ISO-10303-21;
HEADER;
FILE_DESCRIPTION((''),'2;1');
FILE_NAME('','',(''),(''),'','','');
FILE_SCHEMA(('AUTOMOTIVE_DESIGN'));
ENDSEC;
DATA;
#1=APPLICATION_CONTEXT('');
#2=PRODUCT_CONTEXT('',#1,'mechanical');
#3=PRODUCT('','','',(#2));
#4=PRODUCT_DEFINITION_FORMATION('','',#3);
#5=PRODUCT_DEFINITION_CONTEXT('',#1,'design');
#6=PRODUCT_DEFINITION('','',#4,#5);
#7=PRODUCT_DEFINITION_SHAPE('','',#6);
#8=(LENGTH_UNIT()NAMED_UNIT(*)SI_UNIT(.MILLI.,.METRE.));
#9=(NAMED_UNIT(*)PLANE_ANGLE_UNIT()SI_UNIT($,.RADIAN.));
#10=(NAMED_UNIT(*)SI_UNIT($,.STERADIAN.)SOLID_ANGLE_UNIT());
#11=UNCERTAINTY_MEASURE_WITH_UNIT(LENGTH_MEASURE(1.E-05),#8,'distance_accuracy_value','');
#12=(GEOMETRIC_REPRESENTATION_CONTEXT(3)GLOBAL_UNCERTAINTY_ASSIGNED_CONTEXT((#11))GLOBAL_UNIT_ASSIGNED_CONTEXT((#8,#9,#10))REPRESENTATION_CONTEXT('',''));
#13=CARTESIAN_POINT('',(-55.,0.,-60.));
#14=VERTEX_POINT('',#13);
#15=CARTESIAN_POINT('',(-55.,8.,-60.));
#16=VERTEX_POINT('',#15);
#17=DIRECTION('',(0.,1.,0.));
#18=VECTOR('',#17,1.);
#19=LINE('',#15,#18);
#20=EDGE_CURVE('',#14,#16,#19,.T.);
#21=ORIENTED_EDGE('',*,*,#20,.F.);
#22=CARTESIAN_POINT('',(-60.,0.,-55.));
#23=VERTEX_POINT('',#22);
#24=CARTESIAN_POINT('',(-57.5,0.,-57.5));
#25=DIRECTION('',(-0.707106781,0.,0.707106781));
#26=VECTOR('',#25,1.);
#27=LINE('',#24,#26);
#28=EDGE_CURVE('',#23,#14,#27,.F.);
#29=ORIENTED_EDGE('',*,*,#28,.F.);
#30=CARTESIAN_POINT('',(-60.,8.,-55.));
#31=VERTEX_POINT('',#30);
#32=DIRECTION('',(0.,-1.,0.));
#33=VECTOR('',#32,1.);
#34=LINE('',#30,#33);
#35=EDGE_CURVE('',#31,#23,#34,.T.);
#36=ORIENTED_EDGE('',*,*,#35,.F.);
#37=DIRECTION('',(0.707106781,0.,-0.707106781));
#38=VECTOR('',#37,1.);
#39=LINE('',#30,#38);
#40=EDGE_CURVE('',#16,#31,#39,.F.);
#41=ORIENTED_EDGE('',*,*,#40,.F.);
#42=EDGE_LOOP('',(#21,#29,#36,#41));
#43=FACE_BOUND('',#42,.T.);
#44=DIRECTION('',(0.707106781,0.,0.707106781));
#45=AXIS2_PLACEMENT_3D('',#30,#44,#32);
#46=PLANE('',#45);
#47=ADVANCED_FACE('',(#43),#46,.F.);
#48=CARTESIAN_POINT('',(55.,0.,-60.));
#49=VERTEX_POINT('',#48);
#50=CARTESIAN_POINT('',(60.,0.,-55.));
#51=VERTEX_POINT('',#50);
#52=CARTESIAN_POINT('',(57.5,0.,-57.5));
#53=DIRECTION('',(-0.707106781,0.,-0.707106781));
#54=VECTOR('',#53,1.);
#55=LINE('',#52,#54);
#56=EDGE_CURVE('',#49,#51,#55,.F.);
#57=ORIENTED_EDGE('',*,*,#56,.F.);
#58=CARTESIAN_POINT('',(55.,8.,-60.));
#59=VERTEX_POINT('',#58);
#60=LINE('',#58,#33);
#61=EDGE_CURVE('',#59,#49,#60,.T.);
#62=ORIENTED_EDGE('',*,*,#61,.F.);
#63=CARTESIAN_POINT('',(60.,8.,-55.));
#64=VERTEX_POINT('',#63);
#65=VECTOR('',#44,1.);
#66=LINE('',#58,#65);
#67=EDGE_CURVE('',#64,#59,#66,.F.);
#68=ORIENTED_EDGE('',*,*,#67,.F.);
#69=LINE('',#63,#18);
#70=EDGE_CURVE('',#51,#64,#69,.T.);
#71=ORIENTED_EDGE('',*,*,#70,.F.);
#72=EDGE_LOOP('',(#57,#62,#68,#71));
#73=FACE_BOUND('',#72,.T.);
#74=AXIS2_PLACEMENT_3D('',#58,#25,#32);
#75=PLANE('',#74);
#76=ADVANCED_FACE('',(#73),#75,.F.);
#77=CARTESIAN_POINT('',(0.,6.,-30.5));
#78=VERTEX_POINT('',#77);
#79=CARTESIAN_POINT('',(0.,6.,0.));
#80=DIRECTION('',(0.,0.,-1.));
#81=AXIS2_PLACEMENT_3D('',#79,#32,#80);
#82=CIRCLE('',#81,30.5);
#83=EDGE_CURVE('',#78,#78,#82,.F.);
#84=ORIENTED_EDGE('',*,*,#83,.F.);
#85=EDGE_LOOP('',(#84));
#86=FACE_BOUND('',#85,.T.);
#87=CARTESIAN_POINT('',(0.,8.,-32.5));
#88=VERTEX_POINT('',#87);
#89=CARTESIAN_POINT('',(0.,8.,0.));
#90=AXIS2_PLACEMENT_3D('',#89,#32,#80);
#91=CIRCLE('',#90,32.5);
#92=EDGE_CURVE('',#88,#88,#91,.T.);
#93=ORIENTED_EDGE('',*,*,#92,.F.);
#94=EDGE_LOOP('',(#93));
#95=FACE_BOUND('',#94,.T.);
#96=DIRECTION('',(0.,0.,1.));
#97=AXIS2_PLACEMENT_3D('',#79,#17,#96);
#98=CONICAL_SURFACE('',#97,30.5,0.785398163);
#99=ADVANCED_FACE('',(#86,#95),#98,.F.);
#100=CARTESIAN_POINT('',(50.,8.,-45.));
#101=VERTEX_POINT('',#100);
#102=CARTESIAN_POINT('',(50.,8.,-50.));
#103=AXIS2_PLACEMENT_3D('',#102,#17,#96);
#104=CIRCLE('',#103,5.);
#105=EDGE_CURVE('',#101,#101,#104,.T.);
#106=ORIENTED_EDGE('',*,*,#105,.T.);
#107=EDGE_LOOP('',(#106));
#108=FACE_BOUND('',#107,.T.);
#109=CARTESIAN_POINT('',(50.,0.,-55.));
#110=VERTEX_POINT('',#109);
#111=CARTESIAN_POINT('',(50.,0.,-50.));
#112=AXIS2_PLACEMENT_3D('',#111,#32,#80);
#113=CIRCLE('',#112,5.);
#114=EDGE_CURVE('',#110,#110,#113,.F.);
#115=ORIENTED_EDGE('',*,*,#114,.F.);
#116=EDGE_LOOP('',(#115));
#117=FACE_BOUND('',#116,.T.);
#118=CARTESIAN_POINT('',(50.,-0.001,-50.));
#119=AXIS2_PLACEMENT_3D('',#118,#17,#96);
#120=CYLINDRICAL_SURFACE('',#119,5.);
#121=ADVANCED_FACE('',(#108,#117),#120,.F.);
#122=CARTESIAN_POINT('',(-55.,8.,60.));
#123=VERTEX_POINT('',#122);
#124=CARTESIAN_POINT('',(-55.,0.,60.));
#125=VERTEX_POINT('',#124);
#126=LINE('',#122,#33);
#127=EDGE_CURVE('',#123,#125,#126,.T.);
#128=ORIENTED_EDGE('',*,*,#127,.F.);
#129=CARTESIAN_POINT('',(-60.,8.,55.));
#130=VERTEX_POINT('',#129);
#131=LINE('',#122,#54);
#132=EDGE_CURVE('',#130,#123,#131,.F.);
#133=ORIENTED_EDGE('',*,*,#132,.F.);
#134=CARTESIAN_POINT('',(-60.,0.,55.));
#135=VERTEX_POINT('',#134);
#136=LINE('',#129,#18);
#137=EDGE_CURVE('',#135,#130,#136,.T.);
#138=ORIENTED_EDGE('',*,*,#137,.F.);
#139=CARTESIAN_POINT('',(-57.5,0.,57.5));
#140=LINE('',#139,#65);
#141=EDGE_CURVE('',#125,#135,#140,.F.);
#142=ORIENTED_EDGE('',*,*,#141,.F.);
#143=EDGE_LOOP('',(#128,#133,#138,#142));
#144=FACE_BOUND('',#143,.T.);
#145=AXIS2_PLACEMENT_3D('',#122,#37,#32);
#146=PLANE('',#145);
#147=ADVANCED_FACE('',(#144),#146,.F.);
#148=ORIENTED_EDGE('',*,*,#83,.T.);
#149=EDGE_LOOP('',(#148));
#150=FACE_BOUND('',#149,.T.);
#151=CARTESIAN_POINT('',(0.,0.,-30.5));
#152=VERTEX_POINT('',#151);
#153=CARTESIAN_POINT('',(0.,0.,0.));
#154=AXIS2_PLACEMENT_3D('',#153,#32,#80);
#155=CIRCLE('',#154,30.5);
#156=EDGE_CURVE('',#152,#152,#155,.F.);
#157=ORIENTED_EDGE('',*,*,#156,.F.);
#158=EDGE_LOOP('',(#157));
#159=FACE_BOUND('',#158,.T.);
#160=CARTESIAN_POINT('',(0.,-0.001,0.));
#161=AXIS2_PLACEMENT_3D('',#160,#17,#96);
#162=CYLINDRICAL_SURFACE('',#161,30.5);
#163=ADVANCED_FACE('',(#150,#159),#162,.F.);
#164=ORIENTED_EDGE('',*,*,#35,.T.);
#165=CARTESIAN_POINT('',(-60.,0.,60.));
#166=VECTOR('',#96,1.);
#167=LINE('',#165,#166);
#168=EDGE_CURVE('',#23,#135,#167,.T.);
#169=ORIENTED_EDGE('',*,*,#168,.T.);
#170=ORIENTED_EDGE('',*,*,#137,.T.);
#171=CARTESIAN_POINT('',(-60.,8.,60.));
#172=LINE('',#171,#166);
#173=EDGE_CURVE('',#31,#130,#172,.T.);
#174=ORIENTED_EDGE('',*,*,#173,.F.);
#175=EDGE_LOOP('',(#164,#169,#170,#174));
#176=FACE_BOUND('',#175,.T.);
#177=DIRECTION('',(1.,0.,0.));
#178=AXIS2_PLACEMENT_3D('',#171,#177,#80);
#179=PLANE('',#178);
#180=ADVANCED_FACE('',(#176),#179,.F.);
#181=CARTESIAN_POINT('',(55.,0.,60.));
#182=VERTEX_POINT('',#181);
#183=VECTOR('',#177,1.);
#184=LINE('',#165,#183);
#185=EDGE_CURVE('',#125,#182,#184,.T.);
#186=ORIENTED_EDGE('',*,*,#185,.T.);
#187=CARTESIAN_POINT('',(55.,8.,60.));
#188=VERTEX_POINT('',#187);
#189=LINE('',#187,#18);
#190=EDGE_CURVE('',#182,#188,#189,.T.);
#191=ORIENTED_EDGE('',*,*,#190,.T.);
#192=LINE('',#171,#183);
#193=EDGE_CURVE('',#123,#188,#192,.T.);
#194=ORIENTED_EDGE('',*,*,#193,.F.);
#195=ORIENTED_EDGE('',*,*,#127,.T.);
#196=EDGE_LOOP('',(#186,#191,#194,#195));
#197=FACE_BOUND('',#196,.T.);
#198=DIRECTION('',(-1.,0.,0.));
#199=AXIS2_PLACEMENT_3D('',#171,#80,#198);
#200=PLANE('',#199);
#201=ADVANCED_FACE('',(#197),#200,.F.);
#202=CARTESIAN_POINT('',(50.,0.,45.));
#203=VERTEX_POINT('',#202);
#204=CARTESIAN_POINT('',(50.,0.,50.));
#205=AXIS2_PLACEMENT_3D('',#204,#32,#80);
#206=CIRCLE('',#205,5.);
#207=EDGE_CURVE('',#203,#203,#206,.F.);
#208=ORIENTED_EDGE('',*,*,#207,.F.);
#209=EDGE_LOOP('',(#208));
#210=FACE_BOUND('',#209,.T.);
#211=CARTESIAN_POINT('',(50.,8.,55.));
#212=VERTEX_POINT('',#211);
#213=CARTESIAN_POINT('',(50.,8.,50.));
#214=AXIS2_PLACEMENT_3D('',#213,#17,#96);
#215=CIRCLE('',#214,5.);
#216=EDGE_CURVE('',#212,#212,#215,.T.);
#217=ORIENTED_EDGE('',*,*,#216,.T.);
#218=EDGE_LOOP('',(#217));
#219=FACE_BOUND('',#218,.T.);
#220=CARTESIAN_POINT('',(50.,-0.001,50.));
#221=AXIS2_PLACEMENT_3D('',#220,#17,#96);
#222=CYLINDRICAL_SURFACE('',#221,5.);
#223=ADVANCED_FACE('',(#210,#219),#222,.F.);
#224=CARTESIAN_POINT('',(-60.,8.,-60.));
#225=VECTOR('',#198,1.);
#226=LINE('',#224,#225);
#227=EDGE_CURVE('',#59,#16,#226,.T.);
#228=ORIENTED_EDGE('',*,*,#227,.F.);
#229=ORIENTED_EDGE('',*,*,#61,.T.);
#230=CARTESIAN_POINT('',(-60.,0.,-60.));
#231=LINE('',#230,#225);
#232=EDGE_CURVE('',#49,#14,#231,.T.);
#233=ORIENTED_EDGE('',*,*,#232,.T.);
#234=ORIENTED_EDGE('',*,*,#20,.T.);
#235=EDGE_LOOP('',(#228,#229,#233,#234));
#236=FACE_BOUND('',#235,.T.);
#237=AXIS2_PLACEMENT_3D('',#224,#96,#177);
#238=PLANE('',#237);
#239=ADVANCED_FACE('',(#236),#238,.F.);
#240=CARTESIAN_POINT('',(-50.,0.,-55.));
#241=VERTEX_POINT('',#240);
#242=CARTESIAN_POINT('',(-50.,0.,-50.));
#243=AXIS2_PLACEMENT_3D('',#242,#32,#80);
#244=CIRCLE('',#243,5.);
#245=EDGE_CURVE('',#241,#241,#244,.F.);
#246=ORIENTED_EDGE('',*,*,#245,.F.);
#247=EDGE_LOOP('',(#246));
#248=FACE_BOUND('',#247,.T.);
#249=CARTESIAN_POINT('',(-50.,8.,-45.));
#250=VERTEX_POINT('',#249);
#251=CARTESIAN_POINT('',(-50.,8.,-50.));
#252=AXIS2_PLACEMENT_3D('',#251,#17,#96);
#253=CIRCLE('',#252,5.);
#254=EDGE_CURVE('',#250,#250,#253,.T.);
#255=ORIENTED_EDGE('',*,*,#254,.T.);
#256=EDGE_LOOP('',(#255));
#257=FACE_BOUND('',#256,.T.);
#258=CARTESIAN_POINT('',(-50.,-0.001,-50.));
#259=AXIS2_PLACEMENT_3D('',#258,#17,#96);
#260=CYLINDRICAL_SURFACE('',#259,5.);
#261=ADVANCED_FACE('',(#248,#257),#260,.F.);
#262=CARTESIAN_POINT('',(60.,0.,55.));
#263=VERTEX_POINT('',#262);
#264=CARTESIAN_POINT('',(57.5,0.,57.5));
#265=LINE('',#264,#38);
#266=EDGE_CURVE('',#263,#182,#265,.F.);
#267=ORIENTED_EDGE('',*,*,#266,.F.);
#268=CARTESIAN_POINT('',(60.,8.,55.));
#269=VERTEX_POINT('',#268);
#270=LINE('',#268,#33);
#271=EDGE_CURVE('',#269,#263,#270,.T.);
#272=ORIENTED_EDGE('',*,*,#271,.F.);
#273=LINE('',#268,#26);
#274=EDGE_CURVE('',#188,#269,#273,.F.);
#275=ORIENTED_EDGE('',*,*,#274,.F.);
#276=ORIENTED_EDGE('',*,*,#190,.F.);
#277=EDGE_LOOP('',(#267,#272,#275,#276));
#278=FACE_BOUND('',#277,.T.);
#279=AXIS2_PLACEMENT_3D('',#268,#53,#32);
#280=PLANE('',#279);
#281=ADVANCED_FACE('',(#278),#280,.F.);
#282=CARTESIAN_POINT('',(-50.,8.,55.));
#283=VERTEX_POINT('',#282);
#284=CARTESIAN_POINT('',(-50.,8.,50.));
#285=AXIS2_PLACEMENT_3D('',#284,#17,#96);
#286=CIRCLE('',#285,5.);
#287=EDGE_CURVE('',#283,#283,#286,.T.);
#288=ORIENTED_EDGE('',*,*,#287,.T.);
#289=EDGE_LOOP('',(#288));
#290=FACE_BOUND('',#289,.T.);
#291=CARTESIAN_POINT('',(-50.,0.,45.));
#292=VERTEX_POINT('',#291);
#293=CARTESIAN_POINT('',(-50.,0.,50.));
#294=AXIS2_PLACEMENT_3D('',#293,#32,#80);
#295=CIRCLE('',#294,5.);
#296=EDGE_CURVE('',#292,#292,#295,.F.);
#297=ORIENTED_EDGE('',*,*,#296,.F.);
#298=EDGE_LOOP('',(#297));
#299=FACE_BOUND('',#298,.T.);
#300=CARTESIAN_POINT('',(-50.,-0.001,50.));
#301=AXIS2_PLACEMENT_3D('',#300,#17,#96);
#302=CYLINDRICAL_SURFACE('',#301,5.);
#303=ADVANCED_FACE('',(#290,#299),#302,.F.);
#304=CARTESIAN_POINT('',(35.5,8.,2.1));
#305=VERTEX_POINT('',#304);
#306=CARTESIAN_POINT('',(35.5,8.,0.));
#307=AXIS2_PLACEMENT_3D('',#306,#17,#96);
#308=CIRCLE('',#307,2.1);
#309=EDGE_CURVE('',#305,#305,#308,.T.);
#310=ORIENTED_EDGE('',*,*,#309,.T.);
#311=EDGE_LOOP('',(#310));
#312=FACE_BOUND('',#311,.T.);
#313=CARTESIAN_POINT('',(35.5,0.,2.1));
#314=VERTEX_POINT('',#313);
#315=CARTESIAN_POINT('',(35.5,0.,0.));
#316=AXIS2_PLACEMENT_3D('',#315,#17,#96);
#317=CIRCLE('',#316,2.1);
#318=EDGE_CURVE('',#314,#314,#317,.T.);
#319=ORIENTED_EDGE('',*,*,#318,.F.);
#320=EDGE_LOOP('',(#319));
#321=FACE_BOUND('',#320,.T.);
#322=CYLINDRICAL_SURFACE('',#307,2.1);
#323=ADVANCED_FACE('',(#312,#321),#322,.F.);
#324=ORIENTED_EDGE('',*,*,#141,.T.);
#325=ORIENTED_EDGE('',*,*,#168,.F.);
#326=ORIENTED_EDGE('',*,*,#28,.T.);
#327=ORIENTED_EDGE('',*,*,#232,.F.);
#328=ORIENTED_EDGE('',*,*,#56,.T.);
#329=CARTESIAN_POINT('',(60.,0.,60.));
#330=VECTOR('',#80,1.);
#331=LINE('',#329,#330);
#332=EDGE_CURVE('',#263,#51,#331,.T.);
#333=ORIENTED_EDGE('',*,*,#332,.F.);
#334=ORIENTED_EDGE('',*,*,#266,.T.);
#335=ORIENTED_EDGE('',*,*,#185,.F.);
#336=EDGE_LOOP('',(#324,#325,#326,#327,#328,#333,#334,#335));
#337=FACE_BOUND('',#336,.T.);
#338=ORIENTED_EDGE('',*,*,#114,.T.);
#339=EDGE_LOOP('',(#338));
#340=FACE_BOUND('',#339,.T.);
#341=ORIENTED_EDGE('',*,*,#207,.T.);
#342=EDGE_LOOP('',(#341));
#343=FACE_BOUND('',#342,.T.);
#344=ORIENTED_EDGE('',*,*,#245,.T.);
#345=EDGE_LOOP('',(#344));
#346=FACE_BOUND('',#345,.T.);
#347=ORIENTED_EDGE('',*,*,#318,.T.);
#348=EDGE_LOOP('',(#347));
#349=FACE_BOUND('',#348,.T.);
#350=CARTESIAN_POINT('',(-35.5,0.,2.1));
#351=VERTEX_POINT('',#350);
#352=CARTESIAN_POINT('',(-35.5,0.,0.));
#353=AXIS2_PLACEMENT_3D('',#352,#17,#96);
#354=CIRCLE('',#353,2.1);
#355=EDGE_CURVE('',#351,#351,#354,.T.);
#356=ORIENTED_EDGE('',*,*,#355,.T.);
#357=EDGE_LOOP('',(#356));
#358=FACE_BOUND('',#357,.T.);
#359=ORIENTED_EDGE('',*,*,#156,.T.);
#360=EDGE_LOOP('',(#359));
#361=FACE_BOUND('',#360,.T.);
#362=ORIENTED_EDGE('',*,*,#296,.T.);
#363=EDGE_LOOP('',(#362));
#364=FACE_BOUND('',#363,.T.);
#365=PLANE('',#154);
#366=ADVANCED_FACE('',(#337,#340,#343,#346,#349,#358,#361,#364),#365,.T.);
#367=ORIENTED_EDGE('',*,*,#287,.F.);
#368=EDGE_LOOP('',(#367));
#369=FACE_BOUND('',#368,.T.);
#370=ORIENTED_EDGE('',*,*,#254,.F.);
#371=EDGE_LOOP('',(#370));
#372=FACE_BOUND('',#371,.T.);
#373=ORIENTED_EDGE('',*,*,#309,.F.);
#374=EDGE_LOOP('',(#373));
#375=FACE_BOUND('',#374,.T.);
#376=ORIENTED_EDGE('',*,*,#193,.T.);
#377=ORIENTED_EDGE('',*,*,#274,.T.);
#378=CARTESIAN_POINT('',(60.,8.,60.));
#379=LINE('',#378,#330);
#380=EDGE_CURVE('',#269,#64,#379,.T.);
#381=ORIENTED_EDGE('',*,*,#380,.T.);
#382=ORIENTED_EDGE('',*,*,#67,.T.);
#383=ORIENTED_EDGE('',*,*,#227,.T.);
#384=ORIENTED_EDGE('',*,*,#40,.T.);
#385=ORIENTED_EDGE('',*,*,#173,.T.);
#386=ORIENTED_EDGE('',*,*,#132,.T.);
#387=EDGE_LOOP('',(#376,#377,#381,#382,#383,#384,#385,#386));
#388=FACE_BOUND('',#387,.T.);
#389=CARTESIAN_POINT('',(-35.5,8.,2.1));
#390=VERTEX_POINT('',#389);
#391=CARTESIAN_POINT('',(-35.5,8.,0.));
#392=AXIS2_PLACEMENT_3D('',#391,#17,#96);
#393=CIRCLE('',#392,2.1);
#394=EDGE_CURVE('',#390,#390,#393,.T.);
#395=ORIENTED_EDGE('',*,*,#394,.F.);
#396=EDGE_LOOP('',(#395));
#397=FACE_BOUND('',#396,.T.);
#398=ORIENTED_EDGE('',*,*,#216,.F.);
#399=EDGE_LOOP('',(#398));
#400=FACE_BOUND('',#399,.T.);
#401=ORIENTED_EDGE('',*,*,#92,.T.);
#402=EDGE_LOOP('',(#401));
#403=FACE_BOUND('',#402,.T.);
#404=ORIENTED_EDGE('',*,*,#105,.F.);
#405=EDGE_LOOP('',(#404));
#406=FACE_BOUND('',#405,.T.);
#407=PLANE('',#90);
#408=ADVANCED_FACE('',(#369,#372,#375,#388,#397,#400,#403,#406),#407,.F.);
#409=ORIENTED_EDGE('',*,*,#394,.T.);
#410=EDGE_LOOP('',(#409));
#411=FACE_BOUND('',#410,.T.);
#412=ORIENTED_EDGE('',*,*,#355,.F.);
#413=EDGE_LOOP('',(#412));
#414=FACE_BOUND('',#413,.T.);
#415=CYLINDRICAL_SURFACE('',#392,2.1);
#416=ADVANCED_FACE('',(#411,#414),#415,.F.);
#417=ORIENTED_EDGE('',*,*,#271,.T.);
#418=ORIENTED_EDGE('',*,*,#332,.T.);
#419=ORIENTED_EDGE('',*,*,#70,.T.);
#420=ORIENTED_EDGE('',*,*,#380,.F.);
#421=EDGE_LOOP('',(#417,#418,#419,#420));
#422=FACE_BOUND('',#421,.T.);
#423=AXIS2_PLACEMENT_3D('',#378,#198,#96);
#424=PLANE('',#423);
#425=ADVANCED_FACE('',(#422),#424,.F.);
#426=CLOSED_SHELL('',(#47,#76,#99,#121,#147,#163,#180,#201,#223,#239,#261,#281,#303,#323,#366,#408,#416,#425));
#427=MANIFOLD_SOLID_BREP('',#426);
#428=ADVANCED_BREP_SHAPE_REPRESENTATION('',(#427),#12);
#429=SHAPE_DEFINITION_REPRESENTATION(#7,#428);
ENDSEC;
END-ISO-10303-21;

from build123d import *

# Parameters (mm, degrees)
SKETCH1_W           = 120
SKETCH1_H           = 120
BOSS_EXTRUDE1_DEPTH = 8
CUT_EXTRUDE1_REACH  = 87.229
SKETCH2_R           = 30.5
CHAMFER1_SIZE       = 2
CUT_EXTRUDE2_REACH  = 87.229
SKETCH3_R           = 5
CHAMFER2_SIZE       = 5
M5_TAPPED_HOLE1_D   = 4.2


with BuildPart() as part:
    # Sketch1 → Boss-Extrude1 (new body)
    with BuildSketch(Plane(origin=(0, 0, 0), x_dir=(1, 0, 0), z_dir=(0, 1, 0))):
        Rectangle(SKETCH1_W, SKETCH1_H)
    extrude(amount=BOSS_EXTRUDE1_DEPTH)

    # Sketch2 → Cut-Extrude1 (cut, up to next)
    with BuildSketch(Plane(origin=(0, 8, 0), x_dir=(1, 0, 0), z_dir=(0, 1, 0)), mode=Mode.PRIVATE) as cut_extrude1_sk1:
        with Locations(Location((0, 0, 0), (0, 0, 270))):
            Circle(SKETCH2_R)
    cut_extrude1_tool1 = extrude(cut_extrude1_sk1.sketch, amount=-CUT_EXTRUDE1_REACH, mode=Mode.PRIVATE) & part.part
    add(cut_extrude1_tool1.solids().sort_by_distance((0, 8, 0))[0], mode=Mode.SUBTRACT)

    # Chamfer1
    chamfer1_edges = [part.edges().sort_by_distance(p)[0] for p in [
        (0, 8, -30.5),
    ]]
    chamfer(chamfer1_edges, length=CHAMFER1_SIZE)

    # Sketch3 → Cut-Extrude2 (cut, up to next)
    with BuildSketch(Plane(origin=(0, 8, 0), x_dir=(1, 0, 0), z_dir=(0, 1, 0)), mode=Mode.PRIVATE) as cut_extrude2_sk1:
        with Locations(Location((-50, 50, 0), (0, 0, 270))):
            Circle(SKETCH3_R)
    cut_extrude2_tool1 = extrude(cut_extrude2_sk1.sketch, amount=-CUT_EXTRUDE2_REACH, mode=Mode.PRIVATE) & part.part
    # Sketch3 → Cut-Extrude2 (cut, up to next)
    with BuildSketch(Plane(origin=(0, 8, 0), x_dir=(1, 0, 0), z_dir=(0, 1, 0)), mode=Mode.PRIVATE) as cut_extrude2_sk2:
        with Locations(Location((50, 50, 0), (0, 0, 270))):
            Circle(SKETCH3_R)
    cut_extrude2_tool2 = extrude(cut_extrude2_sk2.sketch, amount=-CUT_EXTRUDE2_REACH, mode=Mode.PRIVATE) & part.part
    # Sketch3 → Cut-Extrude2 (cut, up to next)
    with BuildSketch(Plane(origin=(0, 8, 0), x_dir=(1, 0, 0), z_dir=(0, 1, 0)), mode=Mode.PRIVATE) as cut_extrude2_sk3:
        with Locations(Location((-50, -50, 0), (0, 0, 270))):
            Circle(SKETCH3_R)
    cut_extrude2_tool3 = extrude(cut_extrude2_sk3.sketch, amount=-CUT_EXTRUDE2_REACH, mode=Mode.PRIVATE) & part.part
    # Sketch3 → Cut-Extrude2 (cut, up to next)
    with BuildSketch(Plane(origin=(0, 8, 0), x_dir=(1, 0, 0), z_dir=(0, 1, 0)), mode=Mode.PRIVATE) as cut_extrude2_sk4:
        with Locations(Location((50, -50, 0), (0, 0, 270))):
            Circle(SKETCH3_R)
    cut_extrude2_tool4 = extrude(cut_extrude2_sk4.sketch, amount=-CUT_EXTRUDE2_REACH, mode=Mode.PRIVATE) & part.part
    add(cut_extrude2_tool1.solids().sort_by_distance((-50, 8, -50))[0], mode=Mode.SUBTRACT)
    add(cut_extrude2_tool2.solids().sort_by_distance((50, 8, -50))[0], mode=Mode.SUBTRACT)
    add(cut_extrude2_tool3.solids().sort_by_distance((-50, 8, 50))[0], mode=Mode.SUBTRACT)
    add(cut_extrude2_tool4.solids().sort_by_distance((50, 8, 50))[0], mode=Mode.SUBTRACT)

    # Chamfer2
    chamfer2_edges = [part.edges().sort_by_distance(p)[0] for p in [
        (-60, 4, -60),
        (60, 4, -60),
        (60, 4, 60),
        (-60, 4, 60),
    ]]
    chamfer(chamfer2_edges, length=CHAMFER2_SIZE)

    # M5 Tapped Hole1 (through all)
    with Locations(Plane(origin=(0, 8, 0), x_dir=(1, 0, 0), z_dir=(0, 1, 0))):
        with Locations((-35.5, 0), (35.5, 0)):
            Hole(M5_TAPPED_HOLE1_D / 2)


solid = part.part
